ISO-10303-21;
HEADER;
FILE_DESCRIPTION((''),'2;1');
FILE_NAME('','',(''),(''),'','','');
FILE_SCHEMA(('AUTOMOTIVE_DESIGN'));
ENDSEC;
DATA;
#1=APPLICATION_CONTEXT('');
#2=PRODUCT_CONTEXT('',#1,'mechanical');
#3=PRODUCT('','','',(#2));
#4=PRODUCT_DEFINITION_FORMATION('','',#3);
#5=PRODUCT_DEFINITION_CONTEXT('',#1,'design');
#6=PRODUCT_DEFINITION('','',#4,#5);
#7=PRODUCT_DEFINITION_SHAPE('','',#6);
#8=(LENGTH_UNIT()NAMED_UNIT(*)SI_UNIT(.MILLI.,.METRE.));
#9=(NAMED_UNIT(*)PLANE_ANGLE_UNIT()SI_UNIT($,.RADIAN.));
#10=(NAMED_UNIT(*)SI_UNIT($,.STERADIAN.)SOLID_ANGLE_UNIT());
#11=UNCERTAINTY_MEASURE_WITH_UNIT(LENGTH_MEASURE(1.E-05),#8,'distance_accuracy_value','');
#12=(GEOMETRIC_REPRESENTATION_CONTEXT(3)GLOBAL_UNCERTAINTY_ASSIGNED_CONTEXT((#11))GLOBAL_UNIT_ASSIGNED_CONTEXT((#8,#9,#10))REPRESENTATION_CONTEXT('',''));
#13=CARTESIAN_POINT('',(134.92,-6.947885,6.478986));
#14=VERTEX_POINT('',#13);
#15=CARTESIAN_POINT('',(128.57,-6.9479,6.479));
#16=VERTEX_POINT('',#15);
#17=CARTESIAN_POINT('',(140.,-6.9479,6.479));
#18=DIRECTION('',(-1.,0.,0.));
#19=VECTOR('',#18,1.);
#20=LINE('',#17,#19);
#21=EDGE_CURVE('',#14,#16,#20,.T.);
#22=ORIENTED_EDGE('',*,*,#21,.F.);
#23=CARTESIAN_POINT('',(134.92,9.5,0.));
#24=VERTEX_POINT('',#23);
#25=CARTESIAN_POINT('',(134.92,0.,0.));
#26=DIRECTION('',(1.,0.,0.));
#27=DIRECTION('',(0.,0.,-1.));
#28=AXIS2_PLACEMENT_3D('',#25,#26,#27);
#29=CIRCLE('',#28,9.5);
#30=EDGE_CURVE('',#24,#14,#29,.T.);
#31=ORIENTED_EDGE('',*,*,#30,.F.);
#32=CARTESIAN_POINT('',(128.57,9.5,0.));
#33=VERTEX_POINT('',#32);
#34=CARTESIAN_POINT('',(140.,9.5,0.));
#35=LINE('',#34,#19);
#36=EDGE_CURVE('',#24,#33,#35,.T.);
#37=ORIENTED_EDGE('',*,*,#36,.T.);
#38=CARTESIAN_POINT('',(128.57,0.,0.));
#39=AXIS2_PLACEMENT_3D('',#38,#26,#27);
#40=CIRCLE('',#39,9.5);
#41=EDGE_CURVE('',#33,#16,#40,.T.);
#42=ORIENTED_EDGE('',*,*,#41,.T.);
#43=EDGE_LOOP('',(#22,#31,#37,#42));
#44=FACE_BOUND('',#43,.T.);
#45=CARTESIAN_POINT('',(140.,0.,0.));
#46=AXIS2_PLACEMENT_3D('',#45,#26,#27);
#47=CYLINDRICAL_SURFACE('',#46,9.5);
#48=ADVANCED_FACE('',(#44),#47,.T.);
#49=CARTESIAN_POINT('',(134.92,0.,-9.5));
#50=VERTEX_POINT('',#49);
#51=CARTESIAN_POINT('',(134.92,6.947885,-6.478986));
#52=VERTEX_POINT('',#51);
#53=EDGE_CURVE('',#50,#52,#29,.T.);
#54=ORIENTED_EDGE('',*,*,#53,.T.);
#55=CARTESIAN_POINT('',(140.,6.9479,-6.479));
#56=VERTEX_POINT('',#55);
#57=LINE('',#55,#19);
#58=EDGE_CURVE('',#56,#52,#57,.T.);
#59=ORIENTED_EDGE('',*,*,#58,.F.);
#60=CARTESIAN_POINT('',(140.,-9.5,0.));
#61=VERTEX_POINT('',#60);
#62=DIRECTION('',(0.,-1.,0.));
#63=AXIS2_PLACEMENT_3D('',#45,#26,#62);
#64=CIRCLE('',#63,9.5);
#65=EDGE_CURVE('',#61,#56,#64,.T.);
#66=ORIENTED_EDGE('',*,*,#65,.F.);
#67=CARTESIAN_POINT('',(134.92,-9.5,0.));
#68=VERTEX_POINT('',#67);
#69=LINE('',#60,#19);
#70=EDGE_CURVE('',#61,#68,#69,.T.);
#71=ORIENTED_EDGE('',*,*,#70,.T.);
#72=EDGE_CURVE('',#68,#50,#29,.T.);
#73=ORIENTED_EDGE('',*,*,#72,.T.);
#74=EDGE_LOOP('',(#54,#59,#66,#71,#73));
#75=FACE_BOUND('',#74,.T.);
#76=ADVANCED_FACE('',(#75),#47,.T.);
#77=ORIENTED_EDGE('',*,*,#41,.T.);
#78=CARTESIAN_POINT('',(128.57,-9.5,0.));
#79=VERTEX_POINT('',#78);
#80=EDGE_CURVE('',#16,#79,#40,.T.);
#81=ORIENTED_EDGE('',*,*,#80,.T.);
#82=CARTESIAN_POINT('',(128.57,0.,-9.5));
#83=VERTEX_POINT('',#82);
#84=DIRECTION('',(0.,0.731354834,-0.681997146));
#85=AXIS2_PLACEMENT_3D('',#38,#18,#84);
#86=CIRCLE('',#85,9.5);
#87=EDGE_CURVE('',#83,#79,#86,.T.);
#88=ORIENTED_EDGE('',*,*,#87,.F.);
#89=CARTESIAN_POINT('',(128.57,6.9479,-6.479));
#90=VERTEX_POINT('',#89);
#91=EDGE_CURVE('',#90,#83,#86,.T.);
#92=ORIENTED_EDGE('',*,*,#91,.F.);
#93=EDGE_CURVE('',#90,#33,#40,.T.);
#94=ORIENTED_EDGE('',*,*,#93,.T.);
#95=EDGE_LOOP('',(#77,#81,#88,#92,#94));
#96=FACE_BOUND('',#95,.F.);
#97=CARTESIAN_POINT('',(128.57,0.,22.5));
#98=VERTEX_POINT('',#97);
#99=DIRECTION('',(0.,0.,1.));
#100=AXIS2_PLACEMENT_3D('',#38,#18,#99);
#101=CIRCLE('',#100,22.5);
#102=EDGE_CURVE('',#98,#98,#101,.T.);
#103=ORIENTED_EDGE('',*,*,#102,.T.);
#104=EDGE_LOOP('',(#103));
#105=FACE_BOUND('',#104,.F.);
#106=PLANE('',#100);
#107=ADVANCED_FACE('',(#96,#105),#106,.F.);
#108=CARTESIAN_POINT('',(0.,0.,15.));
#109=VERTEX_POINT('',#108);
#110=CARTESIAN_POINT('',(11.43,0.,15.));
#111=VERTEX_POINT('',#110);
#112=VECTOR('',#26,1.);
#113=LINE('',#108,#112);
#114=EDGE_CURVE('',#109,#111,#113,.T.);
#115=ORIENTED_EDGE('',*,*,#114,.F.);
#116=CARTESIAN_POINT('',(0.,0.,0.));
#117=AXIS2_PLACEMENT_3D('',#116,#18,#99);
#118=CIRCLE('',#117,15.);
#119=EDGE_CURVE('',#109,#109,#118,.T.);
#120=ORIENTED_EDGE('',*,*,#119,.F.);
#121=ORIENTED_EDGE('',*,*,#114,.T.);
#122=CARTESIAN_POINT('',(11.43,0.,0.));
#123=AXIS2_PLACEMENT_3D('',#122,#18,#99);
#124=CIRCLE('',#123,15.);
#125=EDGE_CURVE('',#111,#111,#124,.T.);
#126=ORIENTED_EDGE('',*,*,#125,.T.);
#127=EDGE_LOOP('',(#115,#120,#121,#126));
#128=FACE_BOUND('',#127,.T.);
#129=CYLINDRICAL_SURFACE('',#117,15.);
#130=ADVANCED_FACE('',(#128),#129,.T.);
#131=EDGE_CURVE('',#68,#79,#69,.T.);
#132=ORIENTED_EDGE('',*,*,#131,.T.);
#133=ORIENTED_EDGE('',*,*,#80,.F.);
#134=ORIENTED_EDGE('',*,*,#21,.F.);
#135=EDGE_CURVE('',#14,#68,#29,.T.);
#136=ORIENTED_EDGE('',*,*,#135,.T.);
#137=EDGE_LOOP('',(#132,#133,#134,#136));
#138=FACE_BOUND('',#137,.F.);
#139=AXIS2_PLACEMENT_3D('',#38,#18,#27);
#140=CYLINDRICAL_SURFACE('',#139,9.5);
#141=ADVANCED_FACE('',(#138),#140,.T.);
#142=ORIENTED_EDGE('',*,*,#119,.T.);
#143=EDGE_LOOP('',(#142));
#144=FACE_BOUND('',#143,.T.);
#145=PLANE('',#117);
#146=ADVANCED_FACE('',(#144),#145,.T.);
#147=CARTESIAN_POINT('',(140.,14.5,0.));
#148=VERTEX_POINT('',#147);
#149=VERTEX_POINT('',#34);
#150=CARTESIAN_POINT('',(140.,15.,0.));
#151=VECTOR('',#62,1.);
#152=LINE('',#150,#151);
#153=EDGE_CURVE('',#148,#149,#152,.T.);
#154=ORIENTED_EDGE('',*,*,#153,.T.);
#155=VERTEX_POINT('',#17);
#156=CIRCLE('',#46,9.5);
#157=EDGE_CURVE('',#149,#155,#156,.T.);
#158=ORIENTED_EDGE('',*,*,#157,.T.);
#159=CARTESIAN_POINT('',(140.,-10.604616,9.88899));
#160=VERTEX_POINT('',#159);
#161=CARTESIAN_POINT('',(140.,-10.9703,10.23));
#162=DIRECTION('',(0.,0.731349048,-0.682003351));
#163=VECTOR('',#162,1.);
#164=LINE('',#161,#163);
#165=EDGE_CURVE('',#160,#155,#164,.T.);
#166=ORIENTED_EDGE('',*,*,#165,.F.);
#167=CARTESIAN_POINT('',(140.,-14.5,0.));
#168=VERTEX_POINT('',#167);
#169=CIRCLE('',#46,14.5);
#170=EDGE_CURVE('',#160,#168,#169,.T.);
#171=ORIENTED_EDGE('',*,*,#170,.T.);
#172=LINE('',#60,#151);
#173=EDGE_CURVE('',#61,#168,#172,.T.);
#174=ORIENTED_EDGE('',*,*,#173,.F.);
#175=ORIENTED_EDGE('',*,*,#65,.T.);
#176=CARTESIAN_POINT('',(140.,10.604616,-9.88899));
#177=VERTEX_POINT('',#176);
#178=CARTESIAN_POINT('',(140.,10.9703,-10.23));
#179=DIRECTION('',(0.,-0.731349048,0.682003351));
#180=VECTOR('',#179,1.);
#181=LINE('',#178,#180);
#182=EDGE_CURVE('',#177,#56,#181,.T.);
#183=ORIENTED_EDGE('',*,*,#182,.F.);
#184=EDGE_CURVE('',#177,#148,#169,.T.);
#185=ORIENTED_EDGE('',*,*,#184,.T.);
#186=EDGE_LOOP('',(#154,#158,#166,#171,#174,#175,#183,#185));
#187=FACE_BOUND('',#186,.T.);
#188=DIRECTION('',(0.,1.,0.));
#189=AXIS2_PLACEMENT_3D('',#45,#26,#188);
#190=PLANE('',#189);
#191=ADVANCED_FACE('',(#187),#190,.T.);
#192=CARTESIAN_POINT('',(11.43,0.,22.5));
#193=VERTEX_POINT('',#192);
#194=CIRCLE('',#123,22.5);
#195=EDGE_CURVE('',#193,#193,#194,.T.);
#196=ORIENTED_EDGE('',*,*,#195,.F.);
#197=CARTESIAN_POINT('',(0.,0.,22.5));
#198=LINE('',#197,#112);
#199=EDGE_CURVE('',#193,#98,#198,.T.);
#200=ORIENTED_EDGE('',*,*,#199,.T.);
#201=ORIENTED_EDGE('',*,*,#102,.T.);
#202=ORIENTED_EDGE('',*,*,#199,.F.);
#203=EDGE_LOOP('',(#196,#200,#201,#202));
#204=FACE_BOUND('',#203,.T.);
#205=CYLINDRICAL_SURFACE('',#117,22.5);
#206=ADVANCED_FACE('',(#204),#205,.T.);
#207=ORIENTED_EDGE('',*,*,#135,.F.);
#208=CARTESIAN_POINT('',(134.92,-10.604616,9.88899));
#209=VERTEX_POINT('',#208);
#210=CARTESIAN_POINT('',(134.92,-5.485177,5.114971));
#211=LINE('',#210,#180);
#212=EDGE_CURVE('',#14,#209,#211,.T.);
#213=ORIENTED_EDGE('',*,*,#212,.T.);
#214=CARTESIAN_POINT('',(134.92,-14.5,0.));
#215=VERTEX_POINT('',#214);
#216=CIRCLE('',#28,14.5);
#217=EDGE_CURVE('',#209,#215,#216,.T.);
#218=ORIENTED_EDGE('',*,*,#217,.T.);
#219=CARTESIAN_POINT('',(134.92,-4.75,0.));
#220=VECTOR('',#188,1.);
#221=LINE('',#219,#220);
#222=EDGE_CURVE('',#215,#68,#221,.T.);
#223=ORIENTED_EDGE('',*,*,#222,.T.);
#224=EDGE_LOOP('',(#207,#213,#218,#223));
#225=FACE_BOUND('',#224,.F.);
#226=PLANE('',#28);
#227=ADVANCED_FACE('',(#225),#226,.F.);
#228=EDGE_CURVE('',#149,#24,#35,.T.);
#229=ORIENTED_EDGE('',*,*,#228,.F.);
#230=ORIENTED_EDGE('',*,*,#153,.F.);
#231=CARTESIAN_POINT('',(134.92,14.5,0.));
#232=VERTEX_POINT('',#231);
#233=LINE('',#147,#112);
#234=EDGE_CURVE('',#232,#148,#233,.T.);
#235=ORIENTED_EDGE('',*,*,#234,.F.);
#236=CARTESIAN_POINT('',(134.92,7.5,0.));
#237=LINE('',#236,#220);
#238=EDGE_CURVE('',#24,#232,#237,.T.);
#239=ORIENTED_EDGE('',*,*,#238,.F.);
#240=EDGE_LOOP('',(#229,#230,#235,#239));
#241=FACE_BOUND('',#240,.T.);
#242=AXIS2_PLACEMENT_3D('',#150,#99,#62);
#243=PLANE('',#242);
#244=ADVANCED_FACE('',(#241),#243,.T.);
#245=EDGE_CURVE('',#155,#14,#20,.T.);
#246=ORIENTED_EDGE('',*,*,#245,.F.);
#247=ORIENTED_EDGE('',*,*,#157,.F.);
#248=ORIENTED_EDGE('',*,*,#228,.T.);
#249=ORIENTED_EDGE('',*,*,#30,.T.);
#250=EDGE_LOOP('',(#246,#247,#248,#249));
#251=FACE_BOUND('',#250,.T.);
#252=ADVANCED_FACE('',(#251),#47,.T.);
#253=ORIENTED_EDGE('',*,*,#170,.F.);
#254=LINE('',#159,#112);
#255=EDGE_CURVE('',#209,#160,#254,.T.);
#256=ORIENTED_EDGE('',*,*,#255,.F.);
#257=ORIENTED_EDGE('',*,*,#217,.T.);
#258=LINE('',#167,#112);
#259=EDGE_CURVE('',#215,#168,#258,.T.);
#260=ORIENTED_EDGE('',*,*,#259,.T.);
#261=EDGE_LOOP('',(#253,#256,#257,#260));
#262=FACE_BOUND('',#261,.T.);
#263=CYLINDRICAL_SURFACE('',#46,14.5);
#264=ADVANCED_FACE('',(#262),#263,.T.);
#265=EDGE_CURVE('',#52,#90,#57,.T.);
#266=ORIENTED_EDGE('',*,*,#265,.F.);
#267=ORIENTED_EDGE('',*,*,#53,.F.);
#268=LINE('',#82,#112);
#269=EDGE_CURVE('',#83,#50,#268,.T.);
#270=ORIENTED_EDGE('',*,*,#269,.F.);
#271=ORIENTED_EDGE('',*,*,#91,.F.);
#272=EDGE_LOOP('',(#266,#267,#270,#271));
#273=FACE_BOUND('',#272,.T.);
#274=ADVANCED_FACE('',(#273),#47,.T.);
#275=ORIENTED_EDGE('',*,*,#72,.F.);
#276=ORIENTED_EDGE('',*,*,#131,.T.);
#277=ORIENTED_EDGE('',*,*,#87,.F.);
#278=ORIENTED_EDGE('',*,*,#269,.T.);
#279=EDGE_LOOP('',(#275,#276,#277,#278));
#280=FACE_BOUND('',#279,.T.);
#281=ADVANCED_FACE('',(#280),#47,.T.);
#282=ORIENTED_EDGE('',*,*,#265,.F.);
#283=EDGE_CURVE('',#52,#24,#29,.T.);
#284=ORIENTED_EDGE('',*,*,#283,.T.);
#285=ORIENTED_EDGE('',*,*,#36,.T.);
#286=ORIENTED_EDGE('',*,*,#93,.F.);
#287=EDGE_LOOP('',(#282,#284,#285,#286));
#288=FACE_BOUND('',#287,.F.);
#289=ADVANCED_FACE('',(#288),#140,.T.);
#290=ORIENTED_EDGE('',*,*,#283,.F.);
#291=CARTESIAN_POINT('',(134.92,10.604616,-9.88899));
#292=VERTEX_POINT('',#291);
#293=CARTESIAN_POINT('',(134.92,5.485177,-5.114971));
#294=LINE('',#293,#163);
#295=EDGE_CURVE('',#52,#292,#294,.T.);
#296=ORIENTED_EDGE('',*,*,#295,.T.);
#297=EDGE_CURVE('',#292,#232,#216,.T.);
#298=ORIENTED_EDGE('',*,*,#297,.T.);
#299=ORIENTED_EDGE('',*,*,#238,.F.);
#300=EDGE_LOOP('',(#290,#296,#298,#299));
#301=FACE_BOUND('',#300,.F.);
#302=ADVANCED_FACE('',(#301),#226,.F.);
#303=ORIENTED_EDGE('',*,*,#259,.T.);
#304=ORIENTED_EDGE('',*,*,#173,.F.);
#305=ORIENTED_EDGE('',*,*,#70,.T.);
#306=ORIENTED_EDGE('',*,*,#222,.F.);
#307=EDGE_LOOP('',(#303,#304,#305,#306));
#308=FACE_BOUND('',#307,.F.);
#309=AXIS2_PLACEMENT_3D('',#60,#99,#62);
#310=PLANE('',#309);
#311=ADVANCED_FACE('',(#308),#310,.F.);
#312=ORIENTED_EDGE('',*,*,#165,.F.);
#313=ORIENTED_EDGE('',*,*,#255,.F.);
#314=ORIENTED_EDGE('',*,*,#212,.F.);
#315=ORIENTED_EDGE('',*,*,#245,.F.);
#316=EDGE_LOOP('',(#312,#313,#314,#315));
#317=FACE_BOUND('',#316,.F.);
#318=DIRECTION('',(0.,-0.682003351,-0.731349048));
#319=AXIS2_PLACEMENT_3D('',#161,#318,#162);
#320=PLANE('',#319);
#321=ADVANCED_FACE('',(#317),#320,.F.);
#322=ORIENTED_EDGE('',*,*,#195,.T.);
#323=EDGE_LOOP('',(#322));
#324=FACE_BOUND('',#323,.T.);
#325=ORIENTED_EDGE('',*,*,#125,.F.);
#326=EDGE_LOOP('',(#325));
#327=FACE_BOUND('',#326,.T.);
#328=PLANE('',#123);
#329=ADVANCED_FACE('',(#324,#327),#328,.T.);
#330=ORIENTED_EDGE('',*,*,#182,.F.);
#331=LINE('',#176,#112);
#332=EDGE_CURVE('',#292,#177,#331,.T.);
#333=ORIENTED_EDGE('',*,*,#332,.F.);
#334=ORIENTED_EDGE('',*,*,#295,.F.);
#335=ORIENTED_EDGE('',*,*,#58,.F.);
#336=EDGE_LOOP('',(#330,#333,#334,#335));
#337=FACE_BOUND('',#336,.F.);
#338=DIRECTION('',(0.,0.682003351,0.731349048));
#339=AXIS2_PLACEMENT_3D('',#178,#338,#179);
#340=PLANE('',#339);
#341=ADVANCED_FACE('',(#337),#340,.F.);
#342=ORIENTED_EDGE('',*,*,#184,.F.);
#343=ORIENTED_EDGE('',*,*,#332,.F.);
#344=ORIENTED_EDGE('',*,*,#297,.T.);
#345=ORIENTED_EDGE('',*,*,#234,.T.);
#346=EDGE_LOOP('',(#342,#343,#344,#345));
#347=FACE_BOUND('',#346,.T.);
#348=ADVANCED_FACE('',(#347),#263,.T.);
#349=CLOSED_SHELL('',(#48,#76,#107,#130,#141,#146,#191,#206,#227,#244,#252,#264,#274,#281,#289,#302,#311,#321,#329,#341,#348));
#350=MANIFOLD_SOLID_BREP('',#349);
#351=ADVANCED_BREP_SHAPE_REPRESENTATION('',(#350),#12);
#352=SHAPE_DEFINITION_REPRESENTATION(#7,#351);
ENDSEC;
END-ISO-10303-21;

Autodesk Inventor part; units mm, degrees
ref_plane "YZ Plane" through (0, 0, 0) normal (1, 0, 0) x (0, 1, 0)
ref_plane "XZ Plane" through (0, 0, 0) normal (0, 1, 0) x (-1, 0, 0)
ref_plane "XY Plane" through (0, 0, 0) normal (0, 0, 1) x (1, 0, 0)
sketch "Sketch1" plane through (0, 0, 0) normal (1, 0, 0) x (0, 1, 0)
  circle A0 centre (0, 0) radius 15
  dimension "d0" = 30
extrude "Extrusion1" add sketch "Sketch1" along normal blind 140
sketch "Sketch2" plane through (140, 0, 0) normal (1, 0, 0) x (0, 0, -1)
  circle A0 centre (0, 0) radius 9.5
  circle A1 centre (0, 0) radius 15 projected
  line L0 (0, 15) -> (0, 9.5)
  line L1 (0, -9.5) -> (0, -15)
  line L2 (10.23, 10.9703) -> (6.479, 6.9479)
  line L3 (-10.23, -10.9703) -> (-6.479, -6.9479)
  dimension "d3" = 19
  dimension "d4" = 43
  dimension "d5" = 43
extrude "Extrusion2" cut sketch "Sketch2" against normal blind 11.43 contours A0 L2 A1 L1 | A0 L3 A1 L0
sketch "Sketch3" plane through (128.57, 0, 0) normal (1, 0, 0) x (0, 0, -1)
  circle A0 centre (0, 0) radius 15
  circle A1 centre (0, 0) radius 9.5
  dimension "d22" = 19
  dimension "d23" = 30
extrude "Extrusion3" cut sketch "Sketch3" along normal blind 6.35
sketch "Sketch6" plane through (0, 0, 0) normal (-1, 0, 0) x (0, 0, 1)
  circle A0 centre (0, 0) radius 22.5
  dimension "d16" = 45
extrude "Extrusion6" add sketch "Sketch6" against normal up to surface (128.57 mm away)
sketch "Sketch7" plane through (0, 0, 0) normal (-1, 0, 0) x (0, 0, 1)
  circle A0 centre (0, 0) radius 15
  circle A1 centre (0, 0) radius 22.5
  dimension "d19" = 30
extrude "Extrusion7" cut sketch "Sketch7" against normal blind 11.43
sketch "Sketch8" plane through (140, 0, 0) normal (1, 0, 0) x (0, 0, -1)
  arc A0 (10.23, 10.9703) -> (0, 15) centre (0, 0) ccw projected
  circle A1 centre (0, 0) radius 15
  circle A2 centre (0, 0) radius 14.5
  point P0 (0, 15)
  dimension "d24" = 0.5
extrude "Extrusion8" cut sketch "Sketch8" against normal up to surface (5.08 mm away)
properties part number "spool axle" material "PLA"
